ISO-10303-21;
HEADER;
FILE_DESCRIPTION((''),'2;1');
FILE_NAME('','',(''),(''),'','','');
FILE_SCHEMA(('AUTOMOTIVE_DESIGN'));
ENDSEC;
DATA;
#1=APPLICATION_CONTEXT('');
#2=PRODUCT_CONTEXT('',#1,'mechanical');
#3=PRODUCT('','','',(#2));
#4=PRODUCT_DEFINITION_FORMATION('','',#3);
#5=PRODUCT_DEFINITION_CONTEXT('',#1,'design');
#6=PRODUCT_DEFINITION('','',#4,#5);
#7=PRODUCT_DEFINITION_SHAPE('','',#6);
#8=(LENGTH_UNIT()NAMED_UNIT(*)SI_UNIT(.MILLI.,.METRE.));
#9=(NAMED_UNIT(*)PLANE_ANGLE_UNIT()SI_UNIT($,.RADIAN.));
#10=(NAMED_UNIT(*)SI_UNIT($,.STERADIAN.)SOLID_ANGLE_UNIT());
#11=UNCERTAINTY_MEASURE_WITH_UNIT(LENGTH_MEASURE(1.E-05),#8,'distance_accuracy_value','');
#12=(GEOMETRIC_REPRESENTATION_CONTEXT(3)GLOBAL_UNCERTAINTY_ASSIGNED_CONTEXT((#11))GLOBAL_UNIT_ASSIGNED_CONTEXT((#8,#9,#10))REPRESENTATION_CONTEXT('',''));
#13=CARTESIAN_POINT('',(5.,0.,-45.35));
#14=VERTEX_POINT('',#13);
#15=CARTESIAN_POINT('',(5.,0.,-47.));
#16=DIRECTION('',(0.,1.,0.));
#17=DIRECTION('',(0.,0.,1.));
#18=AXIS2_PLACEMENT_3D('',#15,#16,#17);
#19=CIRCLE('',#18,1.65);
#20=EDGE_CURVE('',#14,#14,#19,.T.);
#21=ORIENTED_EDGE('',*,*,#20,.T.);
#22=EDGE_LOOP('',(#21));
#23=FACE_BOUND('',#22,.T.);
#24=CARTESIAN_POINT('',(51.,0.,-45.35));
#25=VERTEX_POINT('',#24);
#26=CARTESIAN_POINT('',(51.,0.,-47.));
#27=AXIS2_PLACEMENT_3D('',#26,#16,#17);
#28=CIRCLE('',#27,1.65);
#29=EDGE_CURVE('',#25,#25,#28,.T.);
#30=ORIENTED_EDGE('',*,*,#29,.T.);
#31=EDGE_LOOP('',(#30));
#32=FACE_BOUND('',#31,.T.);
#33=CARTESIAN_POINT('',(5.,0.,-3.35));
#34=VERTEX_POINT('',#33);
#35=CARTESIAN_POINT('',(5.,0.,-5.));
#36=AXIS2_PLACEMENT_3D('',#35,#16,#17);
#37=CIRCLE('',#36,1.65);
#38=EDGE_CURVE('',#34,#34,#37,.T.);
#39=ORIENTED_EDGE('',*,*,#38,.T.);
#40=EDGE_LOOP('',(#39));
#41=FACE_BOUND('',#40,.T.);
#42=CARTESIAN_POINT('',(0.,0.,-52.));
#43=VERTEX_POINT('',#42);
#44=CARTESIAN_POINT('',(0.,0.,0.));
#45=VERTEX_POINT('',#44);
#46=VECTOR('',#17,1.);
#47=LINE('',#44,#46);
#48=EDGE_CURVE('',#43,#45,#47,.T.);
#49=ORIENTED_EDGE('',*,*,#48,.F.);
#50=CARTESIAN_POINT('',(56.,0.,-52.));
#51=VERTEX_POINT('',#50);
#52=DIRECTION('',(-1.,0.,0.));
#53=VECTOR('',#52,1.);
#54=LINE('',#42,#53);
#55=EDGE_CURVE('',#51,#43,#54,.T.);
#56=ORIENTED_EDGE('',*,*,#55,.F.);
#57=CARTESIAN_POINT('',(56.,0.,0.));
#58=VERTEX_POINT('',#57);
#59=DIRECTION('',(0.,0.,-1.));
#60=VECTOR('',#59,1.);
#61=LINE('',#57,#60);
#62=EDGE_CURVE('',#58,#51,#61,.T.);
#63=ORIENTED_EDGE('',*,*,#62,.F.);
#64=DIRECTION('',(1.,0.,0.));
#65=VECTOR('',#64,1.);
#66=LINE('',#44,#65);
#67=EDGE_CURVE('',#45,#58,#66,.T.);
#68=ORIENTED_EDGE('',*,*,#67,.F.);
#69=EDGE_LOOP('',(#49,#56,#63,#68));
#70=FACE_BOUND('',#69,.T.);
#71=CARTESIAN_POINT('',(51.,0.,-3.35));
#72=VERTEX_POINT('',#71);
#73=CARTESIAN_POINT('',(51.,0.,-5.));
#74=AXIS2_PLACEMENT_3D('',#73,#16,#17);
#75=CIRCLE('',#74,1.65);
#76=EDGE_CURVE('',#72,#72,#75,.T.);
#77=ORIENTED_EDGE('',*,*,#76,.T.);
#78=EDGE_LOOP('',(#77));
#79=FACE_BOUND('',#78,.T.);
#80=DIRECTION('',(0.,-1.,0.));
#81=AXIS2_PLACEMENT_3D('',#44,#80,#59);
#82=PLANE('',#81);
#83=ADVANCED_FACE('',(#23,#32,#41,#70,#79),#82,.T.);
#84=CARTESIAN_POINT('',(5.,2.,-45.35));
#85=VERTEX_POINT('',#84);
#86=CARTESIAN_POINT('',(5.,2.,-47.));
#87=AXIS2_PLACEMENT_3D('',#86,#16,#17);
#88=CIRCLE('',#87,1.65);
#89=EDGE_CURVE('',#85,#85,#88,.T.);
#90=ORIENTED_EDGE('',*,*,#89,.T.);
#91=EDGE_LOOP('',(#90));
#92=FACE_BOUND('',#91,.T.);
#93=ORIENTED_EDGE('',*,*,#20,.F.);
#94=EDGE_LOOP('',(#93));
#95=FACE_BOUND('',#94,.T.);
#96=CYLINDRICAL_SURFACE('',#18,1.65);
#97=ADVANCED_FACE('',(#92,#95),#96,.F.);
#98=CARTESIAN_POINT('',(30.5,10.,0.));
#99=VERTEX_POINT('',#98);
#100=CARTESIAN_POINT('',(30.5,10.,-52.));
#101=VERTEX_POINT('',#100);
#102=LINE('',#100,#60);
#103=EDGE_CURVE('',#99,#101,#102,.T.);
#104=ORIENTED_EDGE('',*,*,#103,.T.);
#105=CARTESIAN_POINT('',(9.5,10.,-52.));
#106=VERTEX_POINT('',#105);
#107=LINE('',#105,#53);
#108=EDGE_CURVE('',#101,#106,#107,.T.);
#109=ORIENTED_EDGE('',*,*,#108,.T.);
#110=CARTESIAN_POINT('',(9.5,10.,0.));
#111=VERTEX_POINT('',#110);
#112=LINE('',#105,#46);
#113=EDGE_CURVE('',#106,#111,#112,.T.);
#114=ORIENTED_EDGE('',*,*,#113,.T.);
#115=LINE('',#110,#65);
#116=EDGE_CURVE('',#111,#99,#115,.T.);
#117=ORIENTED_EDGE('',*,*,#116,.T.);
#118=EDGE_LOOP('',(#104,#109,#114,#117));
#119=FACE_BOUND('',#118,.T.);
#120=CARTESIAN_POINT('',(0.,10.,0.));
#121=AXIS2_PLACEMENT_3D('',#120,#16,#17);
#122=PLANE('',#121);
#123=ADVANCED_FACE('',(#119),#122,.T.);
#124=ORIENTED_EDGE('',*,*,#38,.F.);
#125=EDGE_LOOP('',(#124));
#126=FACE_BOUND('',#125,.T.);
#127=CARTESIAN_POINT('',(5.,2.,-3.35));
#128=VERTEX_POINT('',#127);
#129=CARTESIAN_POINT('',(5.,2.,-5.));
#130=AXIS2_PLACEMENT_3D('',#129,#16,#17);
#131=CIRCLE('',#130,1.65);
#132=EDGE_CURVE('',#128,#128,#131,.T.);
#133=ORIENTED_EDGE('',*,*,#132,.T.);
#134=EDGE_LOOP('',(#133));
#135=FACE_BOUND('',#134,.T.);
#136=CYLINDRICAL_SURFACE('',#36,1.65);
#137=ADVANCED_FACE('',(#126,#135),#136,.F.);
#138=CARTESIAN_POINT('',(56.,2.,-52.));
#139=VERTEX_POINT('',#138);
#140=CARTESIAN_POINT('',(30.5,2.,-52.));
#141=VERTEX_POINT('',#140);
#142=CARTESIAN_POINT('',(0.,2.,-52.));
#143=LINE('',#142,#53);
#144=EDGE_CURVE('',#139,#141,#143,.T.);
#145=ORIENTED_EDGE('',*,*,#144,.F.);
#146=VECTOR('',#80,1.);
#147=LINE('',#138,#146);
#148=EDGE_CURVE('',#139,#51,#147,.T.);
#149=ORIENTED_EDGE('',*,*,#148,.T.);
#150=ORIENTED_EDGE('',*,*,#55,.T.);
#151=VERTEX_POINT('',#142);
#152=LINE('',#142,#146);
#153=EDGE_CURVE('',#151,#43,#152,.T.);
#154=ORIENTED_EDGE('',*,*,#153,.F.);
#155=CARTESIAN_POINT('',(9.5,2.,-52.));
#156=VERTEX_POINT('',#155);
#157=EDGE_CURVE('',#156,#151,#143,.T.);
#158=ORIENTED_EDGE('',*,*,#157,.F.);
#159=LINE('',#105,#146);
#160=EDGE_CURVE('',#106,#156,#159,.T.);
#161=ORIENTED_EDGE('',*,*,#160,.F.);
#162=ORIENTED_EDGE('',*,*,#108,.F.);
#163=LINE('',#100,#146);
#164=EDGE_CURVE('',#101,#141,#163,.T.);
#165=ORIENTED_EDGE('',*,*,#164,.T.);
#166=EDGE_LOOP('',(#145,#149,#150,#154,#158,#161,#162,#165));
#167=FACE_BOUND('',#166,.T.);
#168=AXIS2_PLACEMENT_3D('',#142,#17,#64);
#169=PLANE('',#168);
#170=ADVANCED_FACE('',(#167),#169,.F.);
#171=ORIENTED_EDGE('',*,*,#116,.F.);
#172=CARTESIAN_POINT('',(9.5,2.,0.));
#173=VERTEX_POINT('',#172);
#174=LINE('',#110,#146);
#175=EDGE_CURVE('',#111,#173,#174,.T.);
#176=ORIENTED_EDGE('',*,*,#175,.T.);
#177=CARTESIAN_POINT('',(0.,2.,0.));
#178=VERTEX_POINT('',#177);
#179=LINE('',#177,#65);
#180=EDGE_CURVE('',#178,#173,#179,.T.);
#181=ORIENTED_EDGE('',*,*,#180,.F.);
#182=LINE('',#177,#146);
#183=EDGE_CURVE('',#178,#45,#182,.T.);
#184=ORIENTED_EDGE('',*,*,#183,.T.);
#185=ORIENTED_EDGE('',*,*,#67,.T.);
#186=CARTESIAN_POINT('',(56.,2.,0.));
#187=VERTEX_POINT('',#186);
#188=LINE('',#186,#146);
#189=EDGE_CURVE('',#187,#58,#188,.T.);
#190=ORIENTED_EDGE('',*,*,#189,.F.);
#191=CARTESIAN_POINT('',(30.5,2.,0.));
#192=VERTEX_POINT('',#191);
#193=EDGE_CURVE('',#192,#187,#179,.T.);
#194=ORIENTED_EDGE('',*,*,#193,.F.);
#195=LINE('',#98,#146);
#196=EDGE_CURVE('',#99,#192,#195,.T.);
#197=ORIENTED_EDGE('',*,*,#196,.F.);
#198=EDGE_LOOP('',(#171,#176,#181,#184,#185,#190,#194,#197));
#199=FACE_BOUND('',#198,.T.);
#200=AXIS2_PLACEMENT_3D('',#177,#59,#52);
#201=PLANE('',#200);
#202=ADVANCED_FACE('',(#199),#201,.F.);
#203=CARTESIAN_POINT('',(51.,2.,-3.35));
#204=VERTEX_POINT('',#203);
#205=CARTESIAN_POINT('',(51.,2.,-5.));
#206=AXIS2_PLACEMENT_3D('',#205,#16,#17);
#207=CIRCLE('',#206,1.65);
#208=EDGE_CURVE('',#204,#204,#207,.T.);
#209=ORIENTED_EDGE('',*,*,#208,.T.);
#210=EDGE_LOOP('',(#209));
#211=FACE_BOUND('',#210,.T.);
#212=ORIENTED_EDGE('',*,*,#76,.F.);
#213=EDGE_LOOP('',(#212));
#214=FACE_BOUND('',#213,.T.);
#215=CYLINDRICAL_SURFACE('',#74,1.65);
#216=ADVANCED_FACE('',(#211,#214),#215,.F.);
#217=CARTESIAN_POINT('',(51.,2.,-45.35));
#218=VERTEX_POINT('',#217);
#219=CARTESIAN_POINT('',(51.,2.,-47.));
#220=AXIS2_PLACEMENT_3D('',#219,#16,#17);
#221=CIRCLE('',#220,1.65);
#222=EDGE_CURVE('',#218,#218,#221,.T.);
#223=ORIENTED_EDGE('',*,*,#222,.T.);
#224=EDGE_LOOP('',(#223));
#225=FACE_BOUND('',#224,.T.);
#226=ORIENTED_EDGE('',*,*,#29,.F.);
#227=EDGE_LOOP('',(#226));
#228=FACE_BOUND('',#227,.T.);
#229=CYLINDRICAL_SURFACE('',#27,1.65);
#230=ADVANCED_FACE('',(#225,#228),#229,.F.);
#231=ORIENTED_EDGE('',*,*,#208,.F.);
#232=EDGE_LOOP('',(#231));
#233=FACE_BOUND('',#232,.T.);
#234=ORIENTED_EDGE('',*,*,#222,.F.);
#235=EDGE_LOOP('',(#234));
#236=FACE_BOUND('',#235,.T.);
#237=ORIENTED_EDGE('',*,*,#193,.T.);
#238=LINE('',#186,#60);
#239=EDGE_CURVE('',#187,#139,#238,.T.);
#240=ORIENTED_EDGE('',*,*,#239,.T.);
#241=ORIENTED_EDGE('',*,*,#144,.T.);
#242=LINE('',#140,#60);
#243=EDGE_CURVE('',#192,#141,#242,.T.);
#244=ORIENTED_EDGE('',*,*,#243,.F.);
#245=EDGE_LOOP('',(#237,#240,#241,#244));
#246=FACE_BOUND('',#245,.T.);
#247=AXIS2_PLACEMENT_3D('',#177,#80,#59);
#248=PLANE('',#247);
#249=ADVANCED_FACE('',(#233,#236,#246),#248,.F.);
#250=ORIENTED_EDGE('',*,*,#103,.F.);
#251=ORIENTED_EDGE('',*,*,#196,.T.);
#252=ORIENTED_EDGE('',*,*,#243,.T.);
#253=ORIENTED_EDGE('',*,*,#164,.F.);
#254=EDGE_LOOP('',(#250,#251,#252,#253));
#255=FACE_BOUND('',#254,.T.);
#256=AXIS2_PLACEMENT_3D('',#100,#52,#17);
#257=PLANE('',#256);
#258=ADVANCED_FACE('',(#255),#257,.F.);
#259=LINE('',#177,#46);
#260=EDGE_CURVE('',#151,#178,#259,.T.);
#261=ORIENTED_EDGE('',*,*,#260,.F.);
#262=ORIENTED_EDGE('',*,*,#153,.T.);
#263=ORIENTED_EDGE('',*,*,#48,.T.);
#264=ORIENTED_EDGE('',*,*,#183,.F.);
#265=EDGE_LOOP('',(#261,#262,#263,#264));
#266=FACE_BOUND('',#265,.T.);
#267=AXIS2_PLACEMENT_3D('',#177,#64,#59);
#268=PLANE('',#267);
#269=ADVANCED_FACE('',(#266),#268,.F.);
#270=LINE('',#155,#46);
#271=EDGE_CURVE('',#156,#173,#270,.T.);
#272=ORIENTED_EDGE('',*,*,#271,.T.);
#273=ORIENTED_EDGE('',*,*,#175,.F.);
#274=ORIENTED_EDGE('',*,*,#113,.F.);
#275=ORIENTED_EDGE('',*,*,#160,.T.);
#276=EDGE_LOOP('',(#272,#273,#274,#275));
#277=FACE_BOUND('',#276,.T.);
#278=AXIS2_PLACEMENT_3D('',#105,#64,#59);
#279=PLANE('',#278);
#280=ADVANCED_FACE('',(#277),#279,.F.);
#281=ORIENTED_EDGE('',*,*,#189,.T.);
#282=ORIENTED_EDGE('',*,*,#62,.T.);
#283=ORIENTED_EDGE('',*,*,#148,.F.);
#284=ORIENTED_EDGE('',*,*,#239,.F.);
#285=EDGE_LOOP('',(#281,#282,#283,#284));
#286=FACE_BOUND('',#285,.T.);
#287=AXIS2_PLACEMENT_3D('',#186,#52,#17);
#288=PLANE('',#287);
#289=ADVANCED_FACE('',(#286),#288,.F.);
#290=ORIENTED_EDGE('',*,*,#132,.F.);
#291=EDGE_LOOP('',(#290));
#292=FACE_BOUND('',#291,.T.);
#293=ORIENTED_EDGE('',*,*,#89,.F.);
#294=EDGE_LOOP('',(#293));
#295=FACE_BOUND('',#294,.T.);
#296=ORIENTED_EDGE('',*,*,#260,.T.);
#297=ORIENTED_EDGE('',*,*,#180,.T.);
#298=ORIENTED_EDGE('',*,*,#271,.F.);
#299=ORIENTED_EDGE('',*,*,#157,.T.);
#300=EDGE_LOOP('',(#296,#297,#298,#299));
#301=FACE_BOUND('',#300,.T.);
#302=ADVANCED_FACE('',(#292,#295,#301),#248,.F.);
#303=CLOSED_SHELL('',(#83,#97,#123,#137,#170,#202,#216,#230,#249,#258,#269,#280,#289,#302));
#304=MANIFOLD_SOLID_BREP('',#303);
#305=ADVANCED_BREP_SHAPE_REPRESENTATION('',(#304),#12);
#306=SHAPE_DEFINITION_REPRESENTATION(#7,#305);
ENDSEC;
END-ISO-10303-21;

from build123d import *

# Parameters (mm, degrees)
SKETCH2_W           = 56
SKETCH2_H           = 52
BOSS_EXTRUDE1_DEPTH = 2
SKETCH3_R           = 1.65
CUT_EXTRUDE1_DEPTH  = 77.446059414
SKETCH4_W           = 21
SKETCH4_H           = 52
BOSS_EXTRUDE2_DEPTH = 8


with BuildPart() as part:
    # Sketch2 → Boss-Extrude1 (new body)
    with BuildSketch(Plane(origin=(0, 0, 0), x_dir=(1, 0, 0), z_dir=(0, 1, 0))):
        with Locations((28, 26)):
            Rectangle(SKETCH2_W, SKETCH2_H)
    extrude(amount=BOSS_EXTRUDE1_DEPTH)

    # Sketch3 → Cut-Extrude1 (cut, through all)
    with BuildSketch(Plane(origin=(0, 2, 0), x_dir=(1, 0, 0), z_dir=(0, 1, 0))):
        with Locations(Location((5, 47, 0), (0, 0, 270))):
            Circle(SKETCH3_R)
        with Locations(Location((51, 47, 0), (0, 0, 270))):
            Circle(SKETCH3_R)
        with Locations(Location((5, 5, 0), (0, 0, 270))):
            Circle(SKETCH3_R)
        with Locations(Location((51, 5, 0), (0, 0, 270))):
            Circle(SKETCH3_R)
    extrude(amount=-CUT_EXTRUDE1_DEPTH, mode=Mode.SUBTRACT)

    # Sketch4 → Boss-Extrude2 (add)
    with BuildSketch(Plane(origin=(0, 2, 0), x_dir=(1, 0, 0), z_dir=(0, 1, 0))):
        with Locations((20, 26)):
            Rectangle(SKETCH4_W, SKETCH4_H)
    extrude(amount=BOSS_EXTRUDE2_DEPTH)


solid = part.part
